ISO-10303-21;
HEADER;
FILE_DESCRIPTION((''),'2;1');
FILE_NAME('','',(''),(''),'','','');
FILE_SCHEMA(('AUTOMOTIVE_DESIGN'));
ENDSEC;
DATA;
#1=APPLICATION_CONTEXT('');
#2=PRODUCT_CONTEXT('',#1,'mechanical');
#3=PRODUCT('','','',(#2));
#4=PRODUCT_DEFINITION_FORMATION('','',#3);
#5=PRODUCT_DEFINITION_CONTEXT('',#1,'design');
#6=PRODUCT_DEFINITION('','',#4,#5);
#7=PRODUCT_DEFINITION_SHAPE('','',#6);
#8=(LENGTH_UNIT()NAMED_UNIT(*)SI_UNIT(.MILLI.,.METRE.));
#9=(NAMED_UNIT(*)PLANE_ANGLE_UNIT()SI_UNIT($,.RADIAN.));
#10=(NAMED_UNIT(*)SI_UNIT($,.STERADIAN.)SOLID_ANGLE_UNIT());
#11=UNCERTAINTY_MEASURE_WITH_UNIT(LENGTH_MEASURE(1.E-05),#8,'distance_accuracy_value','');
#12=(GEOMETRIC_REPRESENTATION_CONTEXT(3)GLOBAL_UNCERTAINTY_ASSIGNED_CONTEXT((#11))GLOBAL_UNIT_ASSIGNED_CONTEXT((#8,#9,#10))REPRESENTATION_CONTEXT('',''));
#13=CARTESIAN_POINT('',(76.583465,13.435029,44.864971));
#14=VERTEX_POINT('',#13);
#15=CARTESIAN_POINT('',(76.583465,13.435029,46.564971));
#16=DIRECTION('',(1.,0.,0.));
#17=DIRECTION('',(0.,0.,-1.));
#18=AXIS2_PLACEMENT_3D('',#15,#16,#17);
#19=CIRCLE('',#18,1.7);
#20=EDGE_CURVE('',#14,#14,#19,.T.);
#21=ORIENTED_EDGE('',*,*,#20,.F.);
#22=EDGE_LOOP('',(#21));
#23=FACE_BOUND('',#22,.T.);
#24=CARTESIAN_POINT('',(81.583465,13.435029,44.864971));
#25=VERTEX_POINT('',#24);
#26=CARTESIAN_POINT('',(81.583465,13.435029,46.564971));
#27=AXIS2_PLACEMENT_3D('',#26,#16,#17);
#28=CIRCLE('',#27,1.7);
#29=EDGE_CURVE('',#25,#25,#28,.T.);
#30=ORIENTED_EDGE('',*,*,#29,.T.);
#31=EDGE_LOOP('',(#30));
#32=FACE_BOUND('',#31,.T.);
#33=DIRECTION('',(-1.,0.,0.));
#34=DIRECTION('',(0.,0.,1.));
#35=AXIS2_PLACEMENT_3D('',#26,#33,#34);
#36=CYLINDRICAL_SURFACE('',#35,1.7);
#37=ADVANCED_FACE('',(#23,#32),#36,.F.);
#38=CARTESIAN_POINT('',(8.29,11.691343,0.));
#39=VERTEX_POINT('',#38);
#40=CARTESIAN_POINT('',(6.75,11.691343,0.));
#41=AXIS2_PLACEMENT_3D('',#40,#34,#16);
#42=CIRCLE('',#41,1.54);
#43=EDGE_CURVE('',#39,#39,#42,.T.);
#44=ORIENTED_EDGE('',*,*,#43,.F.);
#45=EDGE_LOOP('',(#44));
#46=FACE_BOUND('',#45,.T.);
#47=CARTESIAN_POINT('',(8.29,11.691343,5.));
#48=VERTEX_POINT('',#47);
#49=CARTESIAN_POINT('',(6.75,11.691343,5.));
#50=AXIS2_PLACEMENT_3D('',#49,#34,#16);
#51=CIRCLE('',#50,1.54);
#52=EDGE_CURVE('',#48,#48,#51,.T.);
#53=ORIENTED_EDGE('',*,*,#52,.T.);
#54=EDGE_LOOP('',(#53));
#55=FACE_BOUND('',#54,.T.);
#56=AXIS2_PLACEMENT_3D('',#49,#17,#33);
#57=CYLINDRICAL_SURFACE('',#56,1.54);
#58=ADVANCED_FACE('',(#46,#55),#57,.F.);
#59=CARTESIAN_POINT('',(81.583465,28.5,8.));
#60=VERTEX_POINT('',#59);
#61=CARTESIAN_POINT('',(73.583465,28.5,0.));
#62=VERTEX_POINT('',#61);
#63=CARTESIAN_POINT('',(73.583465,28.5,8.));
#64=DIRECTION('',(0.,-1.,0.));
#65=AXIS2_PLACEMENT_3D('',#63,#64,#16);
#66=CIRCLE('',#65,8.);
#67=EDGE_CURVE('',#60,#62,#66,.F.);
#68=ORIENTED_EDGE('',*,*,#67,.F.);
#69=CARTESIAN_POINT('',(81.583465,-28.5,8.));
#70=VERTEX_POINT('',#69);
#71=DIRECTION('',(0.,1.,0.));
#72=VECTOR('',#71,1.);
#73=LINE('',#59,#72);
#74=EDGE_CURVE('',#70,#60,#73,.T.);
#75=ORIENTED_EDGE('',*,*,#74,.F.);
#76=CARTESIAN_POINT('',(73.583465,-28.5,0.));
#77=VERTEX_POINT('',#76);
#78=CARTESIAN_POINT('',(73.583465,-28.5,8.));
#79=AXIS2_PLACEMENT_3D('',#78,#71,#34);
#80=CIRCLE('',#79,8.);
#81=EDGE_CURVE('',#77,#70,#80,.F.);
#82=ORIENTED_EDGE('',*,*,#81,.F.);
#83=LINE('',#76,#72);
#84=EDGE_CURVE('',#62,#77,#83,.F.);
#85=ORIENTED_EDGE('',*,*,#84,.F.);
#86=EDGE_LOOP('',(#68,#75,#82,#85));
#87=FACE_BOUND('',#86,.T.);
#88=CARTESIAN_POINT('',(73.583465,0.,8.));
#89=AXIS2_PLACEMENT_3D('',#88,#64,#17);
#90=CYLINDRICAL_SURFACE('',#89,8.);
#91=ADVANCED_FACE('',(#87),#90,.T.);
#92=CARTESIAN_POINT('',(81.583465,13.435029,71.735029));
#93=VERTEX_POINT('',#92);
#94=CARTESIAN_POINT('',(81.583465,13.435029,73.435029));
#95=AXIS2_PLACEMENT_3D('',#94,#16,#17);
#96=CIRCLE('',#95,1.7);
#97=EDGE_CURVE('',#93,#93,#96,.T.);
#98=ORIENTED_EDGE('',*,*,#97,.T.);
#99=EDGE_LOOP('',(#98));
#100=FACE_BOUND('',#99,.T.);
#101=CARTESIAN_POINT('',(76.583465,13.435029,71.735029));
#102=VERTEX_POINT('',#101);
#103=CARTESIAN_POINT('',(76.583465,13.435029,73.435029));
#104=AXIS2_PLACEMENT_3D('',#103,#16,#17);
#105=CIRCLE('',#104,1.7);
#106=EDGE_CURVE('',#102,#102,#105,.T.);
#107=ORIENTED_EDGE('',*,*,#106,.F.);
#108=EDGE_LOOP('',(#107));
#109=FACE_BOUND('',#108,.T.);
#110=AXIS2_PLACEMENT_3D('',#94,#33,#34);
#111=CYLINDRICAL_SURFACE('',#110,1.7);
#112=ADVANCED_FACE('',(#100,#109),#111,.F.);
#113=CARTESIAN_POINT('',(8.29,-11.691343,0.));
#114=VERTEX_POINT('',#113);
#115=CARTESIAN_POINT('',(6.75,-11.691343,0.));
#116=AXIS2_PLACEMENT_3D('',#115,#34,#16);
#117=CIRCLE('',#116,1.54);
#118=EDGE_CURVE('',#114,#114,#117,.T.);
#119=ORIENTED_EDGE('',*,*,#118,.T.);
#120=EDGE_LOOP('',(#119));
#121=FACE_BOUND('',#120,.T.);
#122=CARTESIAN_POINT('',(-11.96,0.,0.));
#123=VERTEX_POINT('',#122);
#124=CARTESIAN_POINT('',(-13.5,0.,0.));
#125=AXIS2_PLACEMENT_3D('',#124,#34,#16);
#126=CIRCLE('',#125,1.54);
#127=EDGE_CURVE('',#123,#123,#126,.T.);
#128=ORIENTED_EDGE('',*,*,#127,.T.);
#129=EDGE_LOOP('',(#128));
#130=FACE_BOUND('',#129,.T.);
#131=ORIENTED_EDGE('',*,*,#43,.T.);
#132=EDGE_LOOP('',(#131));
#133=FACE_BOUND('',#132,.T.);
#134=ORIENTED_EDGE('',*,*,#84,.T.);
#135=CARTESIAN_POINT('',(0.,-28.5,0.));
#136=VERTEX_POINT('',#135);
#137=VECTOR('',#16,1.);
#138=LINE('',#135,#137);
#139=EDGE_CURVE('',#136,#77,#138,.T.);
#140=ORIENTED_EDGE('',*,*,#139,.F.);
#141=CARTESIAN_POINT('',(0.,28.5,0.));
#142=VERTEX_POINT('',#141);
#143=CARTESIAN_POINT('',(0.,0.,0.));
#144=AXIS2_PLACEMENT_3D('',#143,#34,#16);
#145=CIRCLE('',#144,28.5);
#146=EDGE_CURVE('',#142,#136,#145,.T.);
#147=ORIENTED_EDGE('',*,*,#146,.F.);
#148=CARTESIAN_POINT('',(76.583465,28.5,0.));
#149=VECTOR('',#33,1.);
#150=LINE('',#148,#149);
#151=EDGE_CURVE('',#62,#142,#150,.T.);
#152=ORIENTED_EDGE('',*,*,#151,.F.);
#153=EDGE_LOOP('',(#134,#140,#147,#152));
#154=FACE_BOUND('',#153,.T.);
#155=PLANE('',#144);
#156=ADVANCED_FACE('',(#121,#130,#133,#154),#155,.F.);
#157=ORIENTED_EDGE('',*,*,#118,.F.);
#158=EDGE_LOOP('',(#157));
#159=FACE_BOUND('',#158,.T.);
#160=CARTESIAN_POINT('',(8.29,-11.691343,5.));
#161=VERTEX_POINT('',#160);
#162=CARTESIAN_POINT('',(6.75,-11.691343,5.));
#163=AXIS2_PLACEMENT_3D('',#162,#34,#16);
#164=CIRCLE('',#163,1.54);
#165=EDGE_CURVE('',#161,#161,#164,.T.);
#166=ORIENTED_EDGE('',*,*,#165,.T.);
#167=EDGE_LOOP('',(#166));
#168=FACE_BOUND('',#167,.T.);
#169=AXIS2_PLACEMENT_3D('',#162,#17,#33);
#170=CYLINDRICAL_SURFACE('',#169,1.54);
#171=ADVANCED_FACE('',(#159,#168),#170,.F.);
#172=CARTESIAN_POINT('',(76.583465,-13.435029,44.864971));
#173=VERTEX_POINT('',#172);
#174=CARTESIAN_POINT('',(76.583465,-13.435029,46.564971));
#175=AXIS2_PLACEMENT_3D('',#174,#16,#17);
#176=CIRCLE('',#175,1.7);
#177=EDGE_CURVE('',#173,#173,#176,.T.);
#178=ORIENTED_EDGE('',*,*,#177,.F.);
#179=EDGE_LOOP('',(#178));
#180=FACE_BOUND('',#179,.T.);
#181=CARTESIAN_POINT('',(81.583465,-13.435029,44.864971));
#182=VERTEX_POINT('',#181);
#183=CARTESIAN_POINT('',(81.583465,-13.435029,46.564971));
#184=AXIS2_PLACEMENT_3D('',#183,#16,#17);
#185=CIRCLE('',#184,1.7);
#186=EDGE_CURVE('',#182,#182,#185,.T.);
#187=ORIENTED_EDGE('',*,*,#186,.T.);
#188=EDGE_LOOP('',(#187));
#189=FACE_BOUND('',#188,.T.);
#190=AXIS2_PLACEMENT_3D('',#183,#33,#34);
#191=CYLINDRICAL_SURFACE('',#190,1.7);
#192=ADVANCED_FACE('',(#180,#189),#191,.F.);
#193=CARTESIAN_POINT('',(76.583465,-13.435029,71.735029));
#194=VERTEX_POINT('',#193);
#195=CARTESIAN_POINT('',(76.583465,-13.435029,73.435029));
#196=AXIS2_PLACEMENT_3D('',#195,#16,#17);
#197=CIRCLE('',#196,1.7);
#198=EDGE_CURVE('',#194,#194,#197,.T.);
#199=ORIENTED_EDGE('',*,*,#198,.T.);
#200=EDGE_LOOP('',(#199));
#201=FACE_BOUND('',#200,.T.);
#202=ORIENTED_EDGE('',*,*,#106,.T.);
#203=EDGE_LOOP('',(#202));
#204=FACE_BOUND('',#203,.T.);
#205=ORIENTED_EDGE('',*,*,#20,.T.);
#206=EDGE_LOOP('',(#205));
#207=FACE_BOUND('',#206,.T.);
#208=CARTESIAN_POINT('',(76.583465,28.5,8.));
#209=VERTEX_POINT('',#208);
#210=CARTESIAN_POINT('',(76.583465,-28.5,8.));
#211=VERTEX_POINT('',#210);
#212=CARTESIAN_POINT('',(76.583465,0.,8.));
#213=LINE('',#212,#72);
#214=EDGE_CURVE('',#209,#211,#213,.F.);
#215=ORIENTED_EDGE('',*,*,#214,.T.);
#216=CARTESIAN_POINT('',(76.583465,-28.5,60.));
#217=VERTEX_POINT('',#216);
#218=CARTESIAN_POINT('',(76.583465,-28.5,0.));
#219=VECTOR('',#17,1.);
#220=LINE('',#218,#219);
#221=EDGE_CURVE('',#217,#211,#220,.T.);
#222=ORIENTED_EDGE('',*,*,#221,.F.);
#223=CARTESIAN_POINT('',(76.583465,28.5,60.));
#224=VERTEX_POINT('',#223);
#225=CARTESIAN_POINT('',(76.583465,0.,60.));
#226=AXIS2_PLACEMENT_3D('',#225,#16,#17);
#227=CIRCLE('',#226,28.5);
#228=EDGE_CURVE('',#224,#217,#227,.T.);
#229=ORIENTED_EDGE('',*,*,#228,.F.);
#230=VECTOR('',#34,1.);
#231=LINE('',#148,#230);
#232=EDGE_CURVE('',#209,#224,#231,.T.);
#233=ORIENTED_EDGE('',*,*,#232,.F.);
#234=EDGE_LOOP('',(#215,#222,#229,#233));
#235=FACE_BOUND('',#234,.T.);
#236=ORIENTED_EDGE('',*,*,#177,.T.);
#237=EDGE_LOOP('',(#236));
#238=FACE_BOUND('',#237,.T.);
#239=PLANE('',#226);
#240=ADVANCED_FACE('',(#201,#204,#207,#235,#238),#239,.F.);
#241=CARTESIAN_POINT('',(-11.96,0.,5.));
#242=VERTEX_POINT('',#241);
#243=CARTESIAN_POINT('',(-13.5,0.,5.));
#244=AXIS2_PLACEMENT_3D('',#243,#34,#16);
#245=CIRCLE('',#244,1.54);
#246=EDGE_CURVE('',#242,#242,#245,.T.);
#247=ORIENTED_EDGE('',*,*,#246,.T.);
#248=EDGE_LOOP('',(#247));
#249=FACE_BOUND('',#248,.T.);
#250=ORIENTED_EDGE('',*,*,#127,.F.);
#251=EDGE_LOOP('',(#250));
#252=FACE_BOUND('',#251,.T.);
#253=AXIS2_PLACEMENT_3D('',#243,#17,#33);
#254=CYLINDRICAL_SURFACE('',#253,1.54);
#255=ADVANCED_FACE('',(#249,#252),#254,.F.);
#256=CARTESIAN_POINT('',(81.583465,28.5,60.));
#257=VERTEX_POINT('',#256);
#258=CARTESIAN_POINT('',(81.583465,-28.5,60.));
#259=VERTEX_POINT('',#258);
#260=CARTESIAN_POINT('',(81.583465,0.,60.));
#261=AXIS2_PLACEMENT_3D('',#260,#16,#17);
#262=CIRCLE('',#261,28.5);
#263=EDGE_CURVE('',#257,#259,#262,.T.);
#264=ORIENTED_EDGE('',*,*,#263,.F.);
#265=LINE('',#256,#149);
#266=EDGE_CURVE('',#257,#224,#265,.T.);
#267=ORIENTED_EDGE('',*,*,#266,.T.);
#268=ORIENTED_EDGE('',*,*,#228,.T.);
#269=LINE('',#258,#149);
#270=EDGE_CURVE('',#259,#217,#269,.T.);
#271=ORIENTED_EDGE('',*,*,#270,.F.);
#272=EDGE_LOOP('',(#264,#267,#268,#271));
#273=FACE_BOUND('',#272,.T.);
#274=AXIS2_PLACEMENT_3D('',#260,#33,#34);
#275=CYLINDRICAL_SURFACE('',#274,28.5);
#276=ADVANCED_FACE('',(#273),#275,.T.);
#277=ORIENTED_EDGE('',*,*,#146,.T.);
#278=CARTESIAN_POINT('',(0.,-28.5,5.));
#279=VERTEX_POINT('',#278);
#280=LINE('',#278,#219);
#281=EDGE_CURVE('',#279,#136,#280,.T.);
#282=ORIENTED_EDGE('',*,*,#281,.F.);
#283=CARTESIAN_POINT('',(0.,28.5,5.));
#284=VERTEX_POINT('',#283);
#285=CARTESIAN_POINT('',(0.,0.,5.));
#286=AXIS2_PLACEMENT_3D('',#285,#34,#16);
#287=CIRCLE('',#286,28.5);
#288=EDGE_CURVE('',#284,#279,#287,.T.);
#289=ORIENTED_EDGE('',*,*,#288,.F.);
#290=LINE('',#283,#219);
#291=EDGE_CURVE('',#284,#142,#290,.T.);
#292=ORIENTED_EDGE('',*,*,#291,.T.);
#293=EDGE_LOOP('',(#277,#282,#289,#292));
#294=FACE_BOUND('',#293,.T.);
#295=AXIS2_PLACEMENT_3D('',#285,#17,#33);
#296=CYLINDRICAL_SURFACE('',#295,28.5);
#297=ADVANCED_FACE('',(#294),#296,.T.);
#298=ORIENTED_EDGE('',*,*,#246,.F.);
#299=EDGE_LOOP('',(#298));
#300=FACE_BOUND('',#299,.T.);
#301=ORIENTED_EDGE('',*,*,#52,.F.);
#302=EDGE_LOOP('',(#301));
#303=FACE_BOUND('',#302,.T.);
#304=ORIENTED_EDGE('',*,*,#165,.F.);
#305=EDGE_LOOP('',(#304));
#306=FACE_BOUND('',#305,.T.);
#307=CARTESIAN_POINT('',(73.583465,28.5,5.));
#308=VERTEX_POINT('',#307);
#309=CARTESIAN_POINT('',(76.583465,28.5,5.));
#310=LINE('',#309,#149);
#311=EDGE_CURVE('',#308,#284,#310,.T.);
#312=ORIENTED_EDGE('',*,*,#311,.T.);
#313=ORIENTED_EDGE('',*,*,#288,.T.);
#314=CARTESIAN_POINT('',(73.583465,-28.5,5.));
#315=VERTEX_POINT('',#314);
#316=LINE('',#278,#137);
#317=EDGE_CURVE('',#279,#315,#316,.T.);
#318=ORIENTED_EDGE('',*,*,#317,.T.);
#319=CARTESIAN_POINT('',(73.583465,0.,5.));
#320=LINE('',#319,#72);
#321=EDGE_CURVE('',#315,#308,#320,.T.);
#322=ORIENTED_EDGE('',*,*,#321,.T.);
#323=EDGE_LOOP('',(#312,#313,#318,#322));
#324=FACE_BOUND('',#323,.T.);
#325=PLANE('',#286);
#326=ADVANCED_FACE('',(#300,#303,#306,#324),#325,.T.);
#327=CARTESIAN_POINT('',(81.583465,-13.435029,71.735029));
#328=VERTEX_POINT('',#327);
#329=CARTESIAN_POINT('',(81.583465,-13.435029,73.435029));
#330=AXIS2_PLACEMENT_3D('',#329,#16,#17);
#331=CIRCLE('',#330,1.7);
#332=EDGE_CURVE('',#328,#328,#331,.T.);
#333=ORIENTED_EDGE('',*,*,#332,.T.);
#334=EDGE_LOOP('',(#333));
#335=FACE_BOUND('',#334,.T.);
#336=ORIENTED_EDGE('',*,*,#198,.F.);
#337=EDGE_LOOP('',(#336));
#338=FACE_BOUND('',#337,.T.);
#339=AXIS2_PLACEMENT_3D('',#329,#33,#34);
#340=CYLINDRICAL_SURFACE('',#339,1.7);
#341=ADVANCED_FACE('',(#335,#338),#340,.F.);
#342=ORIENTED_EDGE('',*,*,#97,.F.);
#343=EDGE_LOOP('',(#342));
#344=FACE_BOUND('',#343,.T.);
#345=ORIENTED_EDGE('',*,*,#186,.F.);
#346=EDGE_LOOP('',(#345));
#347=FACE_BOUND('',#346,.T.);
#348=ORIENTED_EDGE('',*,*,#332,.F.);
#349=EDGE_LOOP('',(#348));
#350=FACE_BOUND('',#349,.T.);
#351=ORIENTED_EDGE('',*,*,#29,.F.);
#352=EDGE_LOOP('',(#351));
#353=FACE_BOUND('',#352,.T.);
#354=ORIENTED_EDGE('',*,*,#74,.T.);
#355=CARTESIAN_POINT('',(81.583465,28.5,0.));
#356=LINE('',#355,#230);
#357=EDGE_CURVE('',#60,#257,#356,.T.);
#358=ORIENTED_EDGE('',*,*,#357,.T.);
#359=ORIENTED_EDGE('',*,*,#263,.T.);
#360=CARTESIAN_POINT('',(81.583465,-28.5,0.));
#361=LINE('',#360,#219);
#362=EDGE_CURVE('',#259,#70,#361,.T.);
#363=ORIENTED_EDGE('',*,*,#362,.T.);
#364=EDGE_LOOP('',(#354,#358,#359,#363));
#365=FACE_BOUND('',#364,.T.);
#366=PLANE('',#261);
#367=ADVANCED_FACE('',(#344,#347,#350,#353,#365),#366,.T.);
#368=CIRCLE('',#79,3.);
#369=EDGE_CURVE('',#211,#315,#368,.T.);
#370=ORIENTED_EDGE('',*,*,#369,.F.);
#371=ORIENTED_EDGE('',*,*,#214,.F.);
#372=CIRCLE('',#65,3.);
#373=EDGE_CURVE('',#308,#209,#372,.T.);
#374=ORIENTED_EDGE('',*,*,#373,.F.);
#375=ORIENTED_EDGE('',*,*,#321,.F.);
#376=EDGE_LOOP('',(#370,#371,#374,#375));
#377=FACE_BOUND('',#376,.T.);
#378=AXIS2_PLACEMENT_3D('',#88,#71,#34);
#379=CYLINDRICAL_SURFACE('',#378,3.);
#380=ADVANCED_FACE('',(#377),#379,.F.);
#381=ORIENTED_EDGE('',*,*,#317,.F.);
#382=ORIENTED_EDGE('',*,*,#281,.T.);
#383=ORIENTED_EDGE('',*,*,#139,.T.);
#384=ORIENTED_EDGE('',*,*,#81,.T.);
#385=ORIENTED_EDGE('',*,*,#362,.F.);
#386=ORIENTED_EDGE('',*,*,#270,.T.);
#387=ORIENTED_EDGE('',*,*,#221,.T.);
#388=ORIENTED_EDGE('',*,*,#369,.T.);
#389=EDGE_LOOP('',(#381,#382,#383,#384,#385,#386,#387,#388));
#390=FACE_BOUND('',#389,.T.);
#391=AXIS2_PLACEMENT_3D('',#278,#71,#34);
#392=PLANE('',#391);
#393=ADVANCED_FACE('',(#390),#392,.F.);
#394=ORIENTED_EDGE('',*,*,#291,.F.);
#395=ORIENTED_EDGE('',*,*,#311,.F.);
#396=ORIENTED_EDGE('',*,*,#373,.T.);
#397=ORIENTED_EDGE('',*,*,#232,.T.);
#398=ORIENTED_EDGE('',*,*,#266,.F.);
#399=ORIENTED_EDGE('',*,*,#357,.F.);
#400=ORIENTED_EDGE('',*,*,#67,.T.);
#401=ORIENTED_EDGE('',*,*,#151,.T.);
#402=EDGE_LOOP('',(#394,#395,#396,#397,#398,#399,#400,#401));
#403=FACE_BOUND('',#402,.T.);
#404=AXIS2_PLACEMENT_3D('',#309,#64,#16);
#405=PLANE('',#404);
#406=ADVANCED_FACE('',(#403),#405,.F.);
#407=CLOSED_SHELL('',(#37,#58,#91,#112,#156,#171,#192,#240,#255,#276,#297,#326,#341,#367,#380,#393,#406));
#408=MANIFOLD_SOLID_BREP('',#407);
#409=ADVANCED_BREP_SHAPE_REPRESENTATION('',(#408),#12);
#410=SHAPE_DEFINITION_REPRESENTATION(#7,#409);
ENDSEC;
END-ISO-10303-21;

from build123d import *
from OCP.BRepFilletAPI import BRepFilletAPI_MakeFillet

# Parameters (mm, degrees)
SKETCH_1_R      = 1.54
EXTRUDE_1_DEPTH = 5
SKETCH_2_R      = 1.7
EXTRUDE_2_DEPTH = 5
FILLET_1_R1     = 3
FILLET_1_R2     = 8


with BuildPart() as part:
    # 草图1 → 凸台-拉伸1 (new body)
    with BuildSketch(Plane.XY):
        with BuildLine():
            Line((0, -28.5), (76.583465403, -28.5))
            Line((76.583465403, -28.5), (76.583465403, 28.5))
            Line((76.583465403, 28.5), (0, 28.5))
            ThreePointArc((0, 28.5), (-28.5, 0), (0, -28.5))
        make_face()
        with Locations((-13.5, 0)):
            Circle(SKETCH_1_R, mode=Mode.SUBTRACT)
        with Locations((6.75, 11.691342951)):
            Circle(SKETCH_1_R, mode=Mode.SUBTRACT)
        with Locations((6.75, -11.691342951)):
            Circle(SKETCH_1_R, mode=Mode.SUBTRACT)
    extrude(amount=EXTRUDE_1_DEPTH)

    # 草图2 → 凸台-拉伸2 (add)
    with BuildSketch(Plane(origin=(76.583465403, 0, 0), x_dir=(0, 0, -1), z_dir=(1, 0, 0))):
        with BuildLine():
            Line((0, -28.5), (0, 28.5))
            Line((0, 28.5), (-60, 28.5))
            ThreePointArc((-60, 28.5), (-88.5, 0), (-60, -28.5))
            Line((-60, -28.5), (0, -28.5))
        make_face()
        with Locations((-73.435028843, -13.435028843)):
            Circle(SKETCH_2_R, mode=Mode.SUBTRACT)
        with Locations((-73.435028843, 13.435028843)):
            Circle(SKETCH_2_R, mode=Mode.SUBTRACT)
        with Locations((-46.564971157, 13.435028843)):
            Circle(SKETCH_2_R, mode=Mode.SUBTRACT)
        with Locations((-46.564971157, -13.435028843)):
            Circle(SKETCH_2_R, mode=Mode.SUBTRACT)
    extrude(amount=EXTRUDE_2_DEPTH)

    # 圆角1: one fillet with a radius per group of edges: ONE call of the kernel's fillet builder (fillet() takes one radius for all edges)
    fillet_1_edges_1 = [part.edges().sort_by_distance(p)[0] for p in [
        (76.583465403, 0, 5),
    ]]
    fillet_1_edges_2 = [part.edges().sort_by_distance(p)[0] for p in [
        (81.583465403, 0, 0),
    ]]
    fillet_1 = BRepFilletAPI_MakeFillet(part.part.solid().wrapped)
    for e in fillet_1_edges_1:
        fillet_1.Add(FILLET_1_R1, e.wrapped)
    for e in fillet_1_edges_2:
        fillet_1.Add(FILLET_1_R2, e.wrapped)
    add(Compound.cast(fillet_1.Shape()), mode=Mode.REPLACE)


solid = part.part
